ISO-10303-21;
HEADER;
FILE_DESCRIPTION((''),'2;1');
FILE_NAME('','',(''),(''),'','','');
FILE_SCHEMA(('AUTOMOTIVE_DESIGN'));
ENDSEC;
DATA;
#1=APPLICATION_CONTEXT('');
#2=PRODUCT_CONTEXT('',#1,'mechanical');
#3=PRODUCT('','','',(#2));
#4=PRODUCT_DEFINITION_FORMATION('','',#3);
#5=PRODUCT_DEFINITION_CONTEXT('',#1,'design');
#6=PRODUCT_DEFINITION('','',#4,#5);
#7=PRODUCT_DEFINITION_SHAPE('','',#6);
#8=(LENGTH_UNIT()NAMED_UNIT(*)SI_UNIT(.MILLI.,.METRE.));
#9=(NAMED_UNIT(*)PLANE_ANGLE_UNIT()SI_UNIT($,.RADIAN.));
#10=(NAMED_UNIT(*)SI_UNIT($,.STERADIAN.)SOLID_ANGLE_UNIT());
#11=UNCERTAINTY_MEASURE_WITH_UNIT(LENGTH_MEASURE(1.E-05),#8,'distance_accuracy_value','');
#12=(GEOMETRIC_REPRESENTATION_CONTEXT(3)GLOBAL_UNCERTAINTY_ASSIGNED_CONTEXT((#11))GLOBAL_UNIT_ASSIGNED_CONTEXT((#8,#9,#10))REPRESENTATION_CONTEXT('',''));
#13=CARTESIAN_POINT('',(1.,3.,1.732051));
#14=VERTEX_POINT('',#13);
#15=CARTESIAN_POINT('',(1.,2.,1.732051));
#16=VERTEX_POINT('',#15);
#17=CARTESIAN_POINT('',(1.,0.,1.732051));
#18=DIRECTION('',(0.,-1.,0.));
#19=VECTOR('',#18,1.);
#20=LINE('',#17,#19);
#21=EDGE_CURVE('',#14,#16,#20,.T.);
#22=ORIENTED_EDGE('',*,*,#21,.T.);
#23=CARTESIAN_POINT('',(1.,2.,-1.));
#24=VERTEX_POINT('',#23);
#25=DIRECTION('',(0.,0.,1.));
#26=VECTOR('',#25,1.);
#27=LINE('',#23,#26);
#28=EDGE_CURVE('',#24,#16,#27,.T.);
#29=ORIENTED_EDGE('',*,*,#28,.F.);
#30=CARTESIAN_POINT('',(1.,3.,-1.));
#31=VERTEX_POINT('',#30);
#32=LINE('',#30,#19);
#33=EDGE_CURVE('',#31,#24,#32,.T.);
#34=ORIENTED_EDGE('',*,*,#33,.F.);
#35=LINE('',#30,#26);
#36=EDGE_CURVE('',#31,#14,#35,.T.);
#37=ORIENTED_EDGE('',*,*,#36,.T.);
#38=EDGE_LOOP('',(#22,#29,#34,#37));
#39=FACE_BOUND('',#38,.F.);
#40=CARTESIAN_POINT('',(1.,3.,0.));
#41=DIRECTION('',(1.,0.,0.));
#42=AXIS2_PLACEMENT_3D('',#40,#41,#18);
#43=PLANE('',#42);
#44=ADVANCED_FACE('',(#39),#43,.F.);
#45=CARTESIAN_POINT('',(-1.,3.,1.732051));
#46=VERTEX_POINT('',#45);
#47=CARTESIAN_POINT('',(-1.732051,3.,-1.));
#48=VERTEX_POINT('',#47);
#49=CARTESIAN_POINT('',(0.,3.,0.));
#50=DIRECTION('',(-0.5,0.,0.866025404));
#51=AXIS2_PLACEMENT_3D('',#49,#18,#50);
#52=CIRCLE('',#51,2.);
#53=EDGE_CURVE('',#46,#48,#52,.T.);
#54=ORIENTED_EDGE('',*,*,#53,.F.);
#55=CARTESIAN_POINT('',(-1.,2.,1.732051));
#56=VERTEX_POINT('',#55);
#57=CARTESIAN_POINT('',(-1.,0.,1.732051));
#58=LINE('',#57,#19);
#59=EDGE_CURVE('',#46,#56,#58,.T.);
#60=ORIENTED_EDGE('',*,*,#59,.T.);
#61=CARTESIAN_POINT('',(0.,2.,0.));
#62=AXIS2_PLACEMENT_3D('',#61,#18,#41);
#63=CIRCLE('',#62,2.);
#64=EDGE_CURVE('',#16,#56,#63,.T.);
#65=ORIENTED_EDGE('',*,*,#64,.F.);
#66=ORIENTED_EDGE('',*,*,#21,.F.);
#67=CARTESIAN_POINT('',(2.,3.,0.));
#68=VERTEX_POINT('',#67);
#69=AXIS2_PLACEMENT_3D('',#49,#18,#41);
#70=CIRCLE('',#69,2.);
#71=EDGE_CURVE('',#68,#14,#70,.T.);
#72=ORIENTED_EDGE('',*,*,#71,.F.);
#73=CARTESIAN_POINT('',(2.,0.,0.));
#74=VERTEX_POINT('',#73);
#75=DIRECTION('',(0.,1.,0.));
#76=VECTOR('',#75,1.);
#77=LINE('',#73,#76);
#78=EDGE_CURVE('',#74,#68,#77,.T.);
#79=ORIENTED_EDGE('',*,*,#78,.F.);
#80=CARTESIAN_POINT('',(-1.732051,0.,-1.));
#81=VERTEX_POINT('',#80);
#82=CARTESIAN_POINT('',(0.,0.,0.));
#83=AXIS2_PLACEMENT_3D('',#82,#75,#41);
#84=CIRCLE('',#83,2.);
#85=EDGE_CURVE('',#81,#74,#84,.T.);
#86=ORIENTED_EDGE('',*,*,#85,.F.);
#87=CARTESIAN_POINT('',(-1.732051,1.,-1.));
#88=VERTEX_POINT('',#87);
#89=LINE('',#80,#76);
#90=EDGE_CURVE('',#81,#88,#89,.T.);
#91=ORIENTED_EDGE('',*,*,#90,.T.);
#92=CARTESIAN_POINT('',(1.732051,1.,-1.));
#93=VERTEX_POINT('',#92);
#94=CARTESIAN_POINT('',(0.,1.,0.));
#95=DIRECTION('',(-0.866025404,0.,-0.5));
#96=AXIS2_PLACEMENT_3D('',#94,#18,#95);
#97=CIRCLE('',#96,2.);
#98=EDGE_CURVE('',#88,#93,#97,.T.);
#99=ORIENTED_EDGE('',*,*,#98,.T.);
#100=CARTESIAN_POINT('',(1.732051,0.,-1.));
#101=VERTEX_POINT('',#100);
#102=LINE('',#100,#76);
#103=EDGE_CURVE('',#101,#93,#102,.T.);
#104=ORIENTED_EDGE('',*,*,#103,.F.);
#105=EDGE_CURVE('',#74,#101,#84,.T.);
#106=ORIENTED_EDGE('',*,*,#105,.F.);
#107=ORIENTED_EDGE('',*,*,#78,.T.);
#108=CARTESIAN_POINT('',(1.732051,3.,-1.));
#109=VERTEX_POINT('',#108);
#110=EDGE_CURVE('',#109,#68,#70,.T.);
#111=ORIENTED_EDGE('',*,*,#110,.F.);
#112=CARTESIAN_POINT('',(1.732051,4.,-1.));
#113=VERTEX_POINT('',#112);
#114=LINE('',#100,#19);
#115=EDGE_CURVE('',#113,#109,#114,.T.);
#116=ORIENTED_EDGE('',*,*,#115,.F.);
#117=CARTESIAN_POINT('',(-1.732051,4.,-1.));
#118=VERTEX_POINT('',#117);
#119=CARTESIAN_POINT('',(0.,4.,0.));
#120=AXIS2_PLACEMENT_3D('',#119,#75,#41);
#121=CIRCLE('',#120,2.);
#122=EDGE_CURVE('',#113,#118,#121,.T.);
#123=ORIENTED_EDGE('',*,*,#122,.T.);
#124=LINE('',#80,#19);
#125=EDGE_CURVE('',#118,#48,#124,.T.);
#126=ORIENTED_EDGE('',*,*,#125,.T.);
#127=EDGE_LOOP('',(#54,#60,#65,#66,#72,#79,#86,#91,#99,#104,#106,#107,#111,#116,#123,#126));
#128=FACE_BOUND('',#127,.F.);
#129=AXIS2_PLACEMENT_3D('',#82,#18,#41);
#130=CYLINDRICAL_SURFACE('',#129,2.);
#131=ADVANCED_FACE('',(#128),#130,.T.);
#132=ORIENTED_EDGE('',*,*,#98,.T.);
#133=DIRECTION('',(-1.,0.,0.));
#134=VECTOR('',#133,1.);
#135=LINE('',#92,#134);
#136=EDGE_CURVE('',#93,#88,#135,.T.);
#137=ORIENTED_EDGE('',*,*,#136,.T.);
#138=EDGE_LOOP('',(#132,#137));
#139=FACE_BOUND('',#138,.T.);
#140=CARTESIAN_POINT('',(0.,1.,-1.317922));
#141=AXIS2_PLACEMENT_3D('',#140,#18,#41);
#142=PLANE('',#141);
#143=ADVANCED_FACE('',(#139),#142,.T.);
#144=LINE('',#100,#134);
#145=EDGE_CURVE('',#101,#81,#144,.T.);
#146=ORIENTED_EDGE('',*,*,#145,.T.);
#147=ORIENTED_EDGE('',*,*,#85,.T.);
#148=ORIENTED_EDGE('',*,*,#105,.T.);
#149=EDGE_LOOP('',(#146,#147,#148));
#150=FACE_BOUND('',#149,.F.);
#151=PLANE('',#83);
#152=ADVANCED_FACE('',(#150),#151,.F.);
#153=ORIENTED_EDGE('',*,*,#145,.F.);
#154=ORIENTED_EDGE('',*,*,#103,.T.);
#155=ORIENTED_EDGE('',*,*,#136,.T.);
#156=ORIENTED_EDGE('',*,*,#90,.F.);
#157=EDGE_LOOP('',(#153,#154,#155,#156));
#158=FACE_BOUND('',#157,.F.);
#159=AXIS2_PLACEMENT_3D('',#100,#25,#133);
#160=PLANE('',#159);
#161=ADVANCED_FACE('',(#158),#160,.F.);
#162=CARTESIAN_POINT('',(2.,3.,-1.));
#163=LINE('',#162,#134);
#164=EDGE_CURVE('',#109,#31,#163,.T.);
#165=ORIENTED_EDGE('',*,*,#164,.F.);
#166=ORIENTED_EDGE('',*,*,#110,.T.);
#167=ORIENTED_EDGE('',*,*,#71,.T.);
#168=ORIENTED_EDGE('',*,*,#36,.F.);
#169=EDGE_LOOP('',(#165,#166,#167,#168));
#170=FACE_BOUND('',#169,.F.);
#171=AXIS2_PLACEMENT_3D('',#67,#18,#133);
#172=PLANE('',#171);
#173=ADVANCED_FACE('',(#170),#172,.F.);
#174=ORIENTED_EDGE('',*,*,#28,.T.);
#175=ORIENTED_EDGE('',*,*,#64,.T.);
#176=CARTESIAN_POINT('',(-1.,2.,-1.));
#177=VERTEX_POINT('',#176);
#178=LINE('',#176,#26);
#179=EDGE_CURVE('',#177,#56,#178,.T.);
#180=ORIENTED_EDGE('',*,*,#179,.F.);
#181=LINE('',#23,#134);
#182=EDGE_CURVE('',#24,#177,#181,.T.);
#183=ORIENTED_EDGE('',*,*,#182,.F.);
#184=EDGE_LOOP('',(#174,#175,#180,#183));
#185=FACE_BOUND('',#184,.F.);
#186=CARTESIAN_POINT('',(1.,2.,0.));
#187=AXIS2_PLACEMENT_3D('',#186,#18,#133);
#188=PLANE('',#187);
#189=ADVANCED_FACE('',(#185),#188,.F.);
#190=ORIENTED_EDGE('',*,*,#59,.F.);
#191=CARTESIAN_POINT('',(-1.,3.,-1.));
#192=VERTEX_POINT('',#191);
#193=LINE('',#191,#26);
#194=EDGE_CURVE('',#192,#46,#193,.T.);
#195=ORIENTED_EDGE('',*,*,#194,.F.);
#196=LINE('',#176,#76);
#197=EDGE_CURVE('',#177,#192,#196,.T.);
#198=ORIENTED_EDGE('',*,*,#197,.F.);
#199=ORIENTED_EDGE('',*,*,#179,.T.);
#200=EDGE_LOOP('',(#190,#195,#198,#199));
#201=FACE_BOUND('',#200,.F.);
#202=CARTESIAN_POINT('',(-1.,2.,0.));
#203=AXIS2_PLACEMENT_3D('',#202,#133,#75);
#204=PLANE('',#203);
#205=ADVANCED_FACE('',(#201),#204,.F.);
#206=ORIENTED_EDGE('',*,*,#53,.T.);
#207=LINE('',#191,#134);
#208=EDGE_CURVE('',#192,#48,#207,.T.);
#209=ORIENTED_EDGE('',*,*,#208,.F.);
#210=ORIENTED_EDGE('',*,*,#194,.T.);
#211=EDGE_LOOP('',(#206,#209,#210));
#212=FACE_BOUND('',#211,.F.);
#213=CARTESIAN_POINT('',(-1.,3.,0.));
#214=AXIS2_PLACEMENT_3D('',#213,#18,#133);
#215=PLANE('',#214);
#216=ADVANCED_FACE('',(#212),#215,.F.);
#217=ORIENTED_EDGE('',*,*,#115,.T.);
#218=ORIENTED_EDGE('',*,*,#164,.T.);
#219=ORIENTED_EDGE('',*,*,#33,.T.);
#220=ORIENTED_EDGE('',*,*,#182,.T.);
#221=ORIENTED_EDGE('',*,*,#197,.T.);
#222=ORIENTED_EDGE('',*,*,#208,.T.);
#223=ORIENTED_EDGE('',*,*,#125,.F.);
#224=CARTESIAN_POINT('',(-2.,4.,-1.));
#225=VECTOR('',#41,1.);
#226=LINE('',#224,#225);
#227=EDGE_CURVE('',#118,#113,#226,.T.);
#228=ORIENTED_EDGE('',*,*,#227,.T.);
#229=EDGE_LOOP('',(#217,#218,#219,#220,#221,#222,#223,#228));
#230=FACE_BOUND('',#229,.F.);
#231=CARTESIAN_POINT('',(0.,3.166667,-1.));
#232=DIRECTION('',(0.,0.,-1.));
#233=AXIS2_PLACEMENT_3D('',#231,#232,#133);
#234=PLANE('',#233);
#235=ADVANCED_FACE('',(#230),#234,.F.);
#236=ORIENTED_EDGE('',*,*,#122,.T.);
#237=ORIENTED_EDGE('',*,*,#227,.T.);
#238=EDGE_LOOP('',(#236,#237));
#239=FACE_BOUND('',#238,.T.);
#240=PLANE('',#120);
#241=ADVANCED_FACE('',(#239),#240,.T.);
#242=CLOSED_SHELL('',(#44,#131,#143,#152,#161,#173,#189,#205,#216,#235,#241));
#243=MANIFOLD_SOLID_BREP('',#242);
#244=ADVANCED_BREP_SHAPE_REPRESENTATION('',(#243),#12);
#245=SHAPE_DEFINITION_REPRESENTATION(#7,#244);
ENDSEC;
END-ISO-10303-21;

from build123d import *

# Parameters (mm, degrees)
SKETCH1_R               = 2
BOSS_EXTRUDE1_DEPTH     = 4
CUT_EXTRUDE1_DEPTH      = 3
CUT_EXTRUDE1_DEPTH_BACK = 1
CUT_EXTRUDE3_DEPTH      = 1


with BuildPart() as part:
    # Sketch1 → Boss-Extrude1 (new body)
    with BuildSketch(Plane(origin=(0, 0, 0), x_dir=(1, 0, 0), z_dir=(0, 1, 0))):
        Circle(SKETCH1_R)
    extrude(amount=BOSS_EXTRUDE1_DEPTH)

    # Sketch2 → Cut-Extrude1 (cut, two sides)
    with BuildSketch(Plane.XY) as cut_extrude1_sk:
        Polygon((-2, 4), (2, 4), (2, 3), (1, 3), (1, 2), (-1, 2), (-1, 3), (-2, 3), align=None)
    extrude(amount=CUT_EXTRUDE1_DEPTH, mode=Mode.SUBTRACT)
    extrude(cut_extrude1_sk.sketch, amount=-CUT_EXTRUDE1_DEPTH_BACK, mode=Mode.SUBTRACT)

    # Sketch4 → Cut-Extrude3 (cut)
    with BuildSketch(Plane.XZ):
        with BuildLine():
            Line((1.732050808, -1), (-1.732050808, -1))
            ThreePointArc((-1.732050808, -1), (0, -2), (1.732050808, -1))
        make_face()
    extrude(amount=-CUT_EXTRUDE3_DEPTH, mode=Mode.SUBTRACT)


solid = part.part
